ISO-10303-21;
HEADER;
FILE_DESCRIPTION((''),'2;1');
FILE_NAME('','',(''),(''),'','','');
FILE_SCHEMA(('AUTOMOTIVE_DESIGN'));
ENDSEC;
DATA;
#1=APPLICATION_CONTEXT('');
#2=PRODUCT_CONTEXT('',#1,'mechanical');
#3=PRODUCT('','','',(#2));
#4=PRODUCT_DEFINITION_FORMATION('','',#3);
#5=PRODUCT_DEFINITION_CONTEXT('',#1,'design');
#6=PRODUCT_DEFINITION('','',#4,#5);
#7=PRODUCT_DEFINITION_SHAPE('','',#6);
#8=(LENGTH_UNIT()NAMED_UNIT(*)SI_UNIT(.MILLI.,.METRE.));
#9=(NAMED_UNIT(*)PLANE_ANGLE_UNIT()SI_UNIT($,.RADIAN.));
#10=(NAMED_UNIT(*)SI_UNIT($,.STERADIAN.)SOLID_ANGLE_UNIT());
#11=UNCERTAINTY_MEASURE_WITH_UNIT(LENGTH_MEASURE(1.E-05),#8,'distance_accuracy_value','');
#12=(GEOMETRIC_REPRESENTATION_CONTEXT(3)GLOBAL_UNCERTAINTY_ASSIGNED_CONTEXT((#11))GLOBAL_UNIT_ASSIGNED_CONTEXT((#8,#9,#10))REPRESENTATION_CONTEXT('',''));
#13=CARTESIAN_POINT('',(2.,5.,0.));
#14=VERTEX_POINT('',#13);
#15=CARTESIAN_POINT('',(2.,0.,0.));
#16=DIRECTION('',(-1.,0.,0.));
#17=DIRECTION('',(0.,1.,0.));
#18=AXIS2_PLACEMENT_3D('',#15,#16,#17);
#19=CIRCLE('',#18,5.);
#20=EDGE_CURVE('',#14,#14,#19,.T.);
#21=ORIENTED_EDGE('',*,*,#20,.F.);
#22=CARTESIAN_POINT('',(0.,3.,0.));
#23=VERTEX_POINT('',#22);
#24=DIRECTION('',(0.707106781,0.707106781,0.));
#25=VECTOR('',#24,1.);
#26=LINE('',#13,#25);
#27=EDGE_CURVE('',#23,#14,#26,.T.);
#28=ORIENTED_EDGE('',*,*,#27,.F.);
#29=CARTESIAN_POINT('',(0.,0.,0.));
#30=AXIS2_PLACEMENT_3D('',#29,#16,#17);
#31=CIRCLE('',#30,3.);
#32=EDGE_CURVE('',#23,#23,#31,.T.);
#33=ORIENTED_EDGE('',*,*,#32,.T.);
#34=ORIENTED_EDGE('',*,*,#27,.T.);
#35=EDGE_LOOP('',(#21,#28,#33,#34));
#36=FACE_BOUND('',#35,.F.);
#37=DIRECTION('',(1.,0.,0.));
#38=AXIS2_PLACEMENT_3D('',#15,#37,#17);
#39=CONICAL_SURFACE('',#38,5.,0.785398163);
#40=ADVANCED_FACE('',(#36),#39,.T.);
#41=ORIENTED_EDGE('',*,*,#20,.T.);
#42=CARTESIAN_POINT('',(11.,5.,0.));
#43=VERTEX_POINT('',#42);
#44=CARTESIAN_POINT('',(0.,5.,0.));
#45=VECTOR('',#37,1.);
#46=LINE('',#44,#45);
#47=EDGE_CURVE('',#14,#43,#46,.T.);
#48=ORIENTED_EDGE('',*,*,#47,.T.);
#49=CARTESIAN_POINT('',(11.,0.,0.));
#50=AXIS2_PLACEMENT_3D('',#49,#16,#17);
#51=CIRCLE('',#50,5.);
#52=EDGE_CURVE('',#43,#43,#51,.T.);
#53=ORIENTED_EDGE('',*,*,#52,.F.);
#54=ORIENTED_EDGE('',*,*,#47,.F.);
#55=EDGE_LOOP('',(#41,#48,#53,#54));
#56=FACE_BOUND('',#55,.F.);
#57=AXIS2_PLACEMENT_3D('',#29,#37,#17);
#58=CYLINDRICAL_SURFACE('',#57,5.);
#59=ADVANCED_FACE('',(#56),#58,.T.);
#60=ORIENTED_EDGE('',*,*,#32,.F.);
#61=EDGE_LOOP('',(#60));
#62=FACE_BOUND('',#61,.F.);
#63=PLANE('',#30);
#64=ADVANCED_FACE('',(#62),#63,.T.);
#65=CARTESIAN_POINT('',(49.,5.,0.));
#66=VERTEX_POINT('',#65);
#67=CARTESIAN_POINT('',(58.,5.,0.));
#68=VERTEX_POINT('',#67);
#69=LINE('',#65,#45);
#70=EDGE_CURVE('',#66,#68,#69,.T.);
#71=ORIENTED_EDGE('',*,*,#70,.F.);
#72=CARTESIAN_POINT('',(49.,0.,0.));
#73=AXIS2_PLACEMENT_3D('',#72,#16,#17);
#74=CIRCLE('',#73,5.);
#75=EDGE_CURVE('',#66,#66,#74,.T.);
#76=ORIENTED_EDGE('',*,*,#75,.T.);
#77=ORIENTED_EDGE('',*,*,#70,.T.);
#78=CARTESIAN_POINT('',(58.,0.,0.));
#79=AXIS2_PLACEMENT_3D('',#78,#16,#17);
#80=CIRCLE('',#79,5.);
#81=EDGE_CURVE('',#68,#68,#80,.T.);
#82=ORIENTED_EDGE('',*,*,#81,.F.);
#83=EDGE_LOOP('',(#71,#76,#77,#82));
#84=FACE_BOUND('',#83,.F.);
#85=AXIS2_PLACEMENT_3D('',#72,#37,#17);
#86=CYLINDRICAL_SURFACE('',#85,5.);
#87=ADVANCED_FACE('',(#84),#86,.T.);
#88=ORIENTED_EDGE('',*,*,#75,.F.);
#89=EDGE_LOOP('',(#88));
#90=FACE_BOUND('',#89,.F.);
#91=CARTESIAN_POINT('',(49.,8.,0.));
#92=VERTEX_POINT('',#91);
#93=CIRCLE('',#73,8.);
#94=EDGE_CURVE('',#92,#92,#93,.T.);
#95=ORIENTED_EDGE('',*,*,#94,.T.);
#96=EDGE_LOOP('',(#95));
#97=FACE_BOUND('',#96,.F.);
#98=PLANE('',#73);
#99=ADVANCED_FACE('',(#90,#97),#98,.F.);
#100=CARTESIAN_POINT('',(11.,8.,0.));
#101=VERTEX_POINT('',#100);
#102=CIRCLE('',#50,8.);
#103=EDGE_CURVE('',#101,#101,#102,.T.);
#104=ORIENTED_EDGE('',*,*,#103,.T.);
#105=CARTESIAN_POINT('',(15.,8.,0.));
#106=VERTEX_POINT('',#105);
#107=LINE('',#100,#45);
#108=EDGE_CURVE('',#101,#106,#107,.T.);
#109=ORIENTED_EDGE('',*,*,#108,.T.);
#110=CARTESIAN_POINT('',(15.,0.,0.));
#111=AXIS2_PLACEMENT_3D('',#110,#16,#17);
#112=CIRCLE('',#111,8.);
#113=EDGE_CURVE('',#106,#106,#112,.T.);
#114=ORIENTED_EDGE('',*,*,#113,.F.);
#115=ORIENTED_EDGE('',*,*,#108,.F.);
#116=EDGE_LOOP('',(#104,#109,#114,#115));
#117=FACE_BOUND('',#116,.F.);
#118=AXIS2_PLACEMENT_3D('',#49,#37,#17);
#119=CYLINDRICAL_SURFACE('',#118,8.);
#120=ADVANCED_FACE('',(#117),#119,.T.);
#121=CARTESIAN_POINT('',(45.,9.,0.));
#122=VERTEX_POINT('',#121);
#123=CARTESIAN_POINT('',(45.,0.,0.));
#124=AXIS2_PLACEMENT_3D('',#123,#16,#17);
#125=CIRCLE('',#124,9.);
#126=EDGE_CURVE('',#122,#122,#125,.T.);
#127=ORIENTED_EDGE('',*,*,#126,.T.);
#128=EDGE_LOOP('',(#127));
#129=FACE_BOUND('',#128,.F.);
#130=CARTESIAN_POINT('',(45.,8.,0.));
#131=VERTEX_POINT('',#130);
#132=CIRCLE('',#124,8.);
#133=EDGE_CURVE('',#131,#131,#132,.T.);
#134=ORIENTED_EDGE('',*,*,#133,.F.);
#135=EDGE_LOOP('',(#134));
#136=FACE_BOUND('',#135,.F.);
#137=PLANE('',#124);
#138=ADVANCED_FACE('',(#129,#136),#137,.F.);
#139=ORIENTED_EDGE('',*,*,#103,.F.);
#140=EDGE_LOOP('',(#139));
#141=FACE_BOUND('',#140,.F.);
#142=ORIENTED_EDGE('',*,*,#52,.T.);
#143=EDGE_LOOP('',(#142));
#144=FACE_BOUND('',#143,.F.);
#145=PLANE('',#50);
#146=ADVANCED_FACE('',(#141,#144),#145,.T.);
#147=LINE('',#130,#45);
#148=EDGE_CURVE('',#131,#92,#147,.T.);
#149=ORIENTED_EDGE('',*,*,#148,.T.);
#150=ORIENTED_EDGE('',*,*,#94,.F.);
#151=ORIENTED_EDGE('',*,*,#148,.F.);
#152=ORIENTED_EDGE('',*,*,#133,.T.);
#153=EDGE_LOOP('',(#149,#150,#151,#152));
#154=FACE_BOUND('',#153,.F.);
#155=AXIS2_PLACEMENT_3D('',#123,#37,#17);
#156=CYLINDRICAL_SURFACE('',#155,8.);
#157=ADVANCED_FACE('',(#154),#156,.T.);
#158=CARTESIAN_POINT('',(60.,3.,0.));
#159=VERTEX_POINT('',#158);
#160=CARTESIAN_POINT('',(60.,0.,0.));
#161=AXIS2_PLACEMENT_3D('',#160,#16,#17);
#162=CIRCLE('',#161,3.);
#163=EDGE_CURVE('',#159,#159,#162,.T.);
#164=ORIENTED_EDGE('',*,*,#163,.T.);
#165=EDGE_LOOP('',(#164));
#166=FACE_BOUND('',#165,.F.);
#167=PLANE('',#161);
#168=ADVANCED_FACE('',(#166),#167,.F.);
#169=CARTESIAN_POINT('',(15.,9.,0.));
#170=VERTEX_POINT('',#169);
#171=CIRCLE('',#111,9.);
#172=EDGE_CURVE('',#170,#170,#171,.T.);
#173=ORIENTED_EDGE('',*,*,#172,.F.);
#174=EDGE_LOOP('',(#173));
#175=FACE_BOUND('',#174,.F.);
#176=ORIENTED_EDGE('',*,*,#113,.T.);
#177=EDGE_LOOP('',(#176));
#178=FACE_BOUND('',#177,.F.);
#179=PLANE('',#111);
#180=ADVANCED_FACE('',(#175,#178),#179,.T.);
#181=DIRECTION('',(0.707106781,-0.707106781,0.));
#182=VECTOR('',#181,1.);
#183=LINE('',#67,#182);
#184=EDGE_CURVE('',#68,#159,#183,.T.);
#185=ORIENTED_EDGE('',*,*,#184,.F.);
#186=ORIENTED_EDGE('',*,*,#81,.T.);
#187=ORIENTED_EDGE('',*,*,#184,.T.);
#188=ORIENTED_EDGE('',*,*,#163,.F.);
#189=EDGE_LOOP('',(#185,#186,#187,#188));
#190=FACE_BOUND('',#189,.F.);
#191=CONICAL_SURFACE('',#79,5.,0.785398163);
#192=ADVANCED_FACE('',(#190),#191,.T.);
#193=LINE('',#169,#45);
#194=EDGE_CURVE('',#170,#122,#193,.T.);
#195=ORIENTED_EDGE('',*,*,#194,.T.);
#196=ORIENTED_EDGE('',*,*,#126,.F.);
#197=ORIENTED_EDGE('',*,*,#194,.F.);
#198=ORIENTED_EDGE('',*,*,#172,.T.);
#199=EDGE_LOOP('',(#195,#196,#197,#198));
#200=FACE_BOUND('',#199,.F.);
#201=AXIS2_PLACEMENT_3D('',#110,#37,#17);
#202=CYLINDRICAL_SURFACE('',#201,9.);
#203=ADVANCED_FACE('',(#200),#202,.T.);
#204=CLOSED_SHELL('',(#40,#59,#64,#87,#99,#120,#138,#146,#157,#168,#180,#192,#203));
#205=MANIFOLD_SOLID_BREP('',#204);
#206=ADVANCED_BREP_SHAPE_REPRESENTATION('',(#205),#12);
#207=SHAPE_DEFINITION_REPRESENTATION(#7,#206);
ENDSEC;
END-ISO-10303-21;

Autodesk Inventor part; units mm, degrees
ref_plane "YZ Plane" through (0, 0, 0) normal (1, 0, 0) x (0, 1, 0)
ref_plane "XZ Plane" through (0, 0, 0) normal (0, 1, 0) x (-1, 0, 0)
ref_plane "XY Plane" through (0, 0, 0) normal (0, 0, 1) x (1, 0, 0)
sketch "Náčrt1" plane through (0, 0, 0) normal (0, 0, 1) x (1, 0, 0)
  line L0 (0, 0) -> (0, 5)
  line L1 (0, 5) -> (11, 5)
  line L2 (11, 5) -> (11, 8)
  line L3 (11, 8) -> (15, 8)
  line L4 (15, 8) -> (15, 9)
  line L5 (15, 9) -> (45, 9)
  line L6 (45, 9) -> (45, 8)
  line L7 (45, 8) -> (49, 8)
  line L8 (49, 8) -> (49, 5)
  line L9 (49, 5) -> (60, 5)
  line L10 (60, 5) -> (60, 0)
  line L11 (60, 0) -> (0, 0)
  dimension "d0" = 11
  dimension "d1" = 15
  dimension "d2" = 10
  dimension "d3" = 16
  dimension "d4" = 18
  dimension "d5" = 45
revolve "Rotace1" add sketch "Náčrt1" angle 360 about axis through (60, 0, 0) along (-1, 0, 0)
chamfer "Zkosení1" distance 2 angle 45 2 edges at (0, -5, 0) (60, -5, 0)
thread "Závit1" size "M10x1.5" class "6g" standard "ANSI Metric M Profile" full length
thread "Závit2" size "M10x1.5" class "6g" standard "ANSI Metric M Profile" full length
properties part number "čep háku"
